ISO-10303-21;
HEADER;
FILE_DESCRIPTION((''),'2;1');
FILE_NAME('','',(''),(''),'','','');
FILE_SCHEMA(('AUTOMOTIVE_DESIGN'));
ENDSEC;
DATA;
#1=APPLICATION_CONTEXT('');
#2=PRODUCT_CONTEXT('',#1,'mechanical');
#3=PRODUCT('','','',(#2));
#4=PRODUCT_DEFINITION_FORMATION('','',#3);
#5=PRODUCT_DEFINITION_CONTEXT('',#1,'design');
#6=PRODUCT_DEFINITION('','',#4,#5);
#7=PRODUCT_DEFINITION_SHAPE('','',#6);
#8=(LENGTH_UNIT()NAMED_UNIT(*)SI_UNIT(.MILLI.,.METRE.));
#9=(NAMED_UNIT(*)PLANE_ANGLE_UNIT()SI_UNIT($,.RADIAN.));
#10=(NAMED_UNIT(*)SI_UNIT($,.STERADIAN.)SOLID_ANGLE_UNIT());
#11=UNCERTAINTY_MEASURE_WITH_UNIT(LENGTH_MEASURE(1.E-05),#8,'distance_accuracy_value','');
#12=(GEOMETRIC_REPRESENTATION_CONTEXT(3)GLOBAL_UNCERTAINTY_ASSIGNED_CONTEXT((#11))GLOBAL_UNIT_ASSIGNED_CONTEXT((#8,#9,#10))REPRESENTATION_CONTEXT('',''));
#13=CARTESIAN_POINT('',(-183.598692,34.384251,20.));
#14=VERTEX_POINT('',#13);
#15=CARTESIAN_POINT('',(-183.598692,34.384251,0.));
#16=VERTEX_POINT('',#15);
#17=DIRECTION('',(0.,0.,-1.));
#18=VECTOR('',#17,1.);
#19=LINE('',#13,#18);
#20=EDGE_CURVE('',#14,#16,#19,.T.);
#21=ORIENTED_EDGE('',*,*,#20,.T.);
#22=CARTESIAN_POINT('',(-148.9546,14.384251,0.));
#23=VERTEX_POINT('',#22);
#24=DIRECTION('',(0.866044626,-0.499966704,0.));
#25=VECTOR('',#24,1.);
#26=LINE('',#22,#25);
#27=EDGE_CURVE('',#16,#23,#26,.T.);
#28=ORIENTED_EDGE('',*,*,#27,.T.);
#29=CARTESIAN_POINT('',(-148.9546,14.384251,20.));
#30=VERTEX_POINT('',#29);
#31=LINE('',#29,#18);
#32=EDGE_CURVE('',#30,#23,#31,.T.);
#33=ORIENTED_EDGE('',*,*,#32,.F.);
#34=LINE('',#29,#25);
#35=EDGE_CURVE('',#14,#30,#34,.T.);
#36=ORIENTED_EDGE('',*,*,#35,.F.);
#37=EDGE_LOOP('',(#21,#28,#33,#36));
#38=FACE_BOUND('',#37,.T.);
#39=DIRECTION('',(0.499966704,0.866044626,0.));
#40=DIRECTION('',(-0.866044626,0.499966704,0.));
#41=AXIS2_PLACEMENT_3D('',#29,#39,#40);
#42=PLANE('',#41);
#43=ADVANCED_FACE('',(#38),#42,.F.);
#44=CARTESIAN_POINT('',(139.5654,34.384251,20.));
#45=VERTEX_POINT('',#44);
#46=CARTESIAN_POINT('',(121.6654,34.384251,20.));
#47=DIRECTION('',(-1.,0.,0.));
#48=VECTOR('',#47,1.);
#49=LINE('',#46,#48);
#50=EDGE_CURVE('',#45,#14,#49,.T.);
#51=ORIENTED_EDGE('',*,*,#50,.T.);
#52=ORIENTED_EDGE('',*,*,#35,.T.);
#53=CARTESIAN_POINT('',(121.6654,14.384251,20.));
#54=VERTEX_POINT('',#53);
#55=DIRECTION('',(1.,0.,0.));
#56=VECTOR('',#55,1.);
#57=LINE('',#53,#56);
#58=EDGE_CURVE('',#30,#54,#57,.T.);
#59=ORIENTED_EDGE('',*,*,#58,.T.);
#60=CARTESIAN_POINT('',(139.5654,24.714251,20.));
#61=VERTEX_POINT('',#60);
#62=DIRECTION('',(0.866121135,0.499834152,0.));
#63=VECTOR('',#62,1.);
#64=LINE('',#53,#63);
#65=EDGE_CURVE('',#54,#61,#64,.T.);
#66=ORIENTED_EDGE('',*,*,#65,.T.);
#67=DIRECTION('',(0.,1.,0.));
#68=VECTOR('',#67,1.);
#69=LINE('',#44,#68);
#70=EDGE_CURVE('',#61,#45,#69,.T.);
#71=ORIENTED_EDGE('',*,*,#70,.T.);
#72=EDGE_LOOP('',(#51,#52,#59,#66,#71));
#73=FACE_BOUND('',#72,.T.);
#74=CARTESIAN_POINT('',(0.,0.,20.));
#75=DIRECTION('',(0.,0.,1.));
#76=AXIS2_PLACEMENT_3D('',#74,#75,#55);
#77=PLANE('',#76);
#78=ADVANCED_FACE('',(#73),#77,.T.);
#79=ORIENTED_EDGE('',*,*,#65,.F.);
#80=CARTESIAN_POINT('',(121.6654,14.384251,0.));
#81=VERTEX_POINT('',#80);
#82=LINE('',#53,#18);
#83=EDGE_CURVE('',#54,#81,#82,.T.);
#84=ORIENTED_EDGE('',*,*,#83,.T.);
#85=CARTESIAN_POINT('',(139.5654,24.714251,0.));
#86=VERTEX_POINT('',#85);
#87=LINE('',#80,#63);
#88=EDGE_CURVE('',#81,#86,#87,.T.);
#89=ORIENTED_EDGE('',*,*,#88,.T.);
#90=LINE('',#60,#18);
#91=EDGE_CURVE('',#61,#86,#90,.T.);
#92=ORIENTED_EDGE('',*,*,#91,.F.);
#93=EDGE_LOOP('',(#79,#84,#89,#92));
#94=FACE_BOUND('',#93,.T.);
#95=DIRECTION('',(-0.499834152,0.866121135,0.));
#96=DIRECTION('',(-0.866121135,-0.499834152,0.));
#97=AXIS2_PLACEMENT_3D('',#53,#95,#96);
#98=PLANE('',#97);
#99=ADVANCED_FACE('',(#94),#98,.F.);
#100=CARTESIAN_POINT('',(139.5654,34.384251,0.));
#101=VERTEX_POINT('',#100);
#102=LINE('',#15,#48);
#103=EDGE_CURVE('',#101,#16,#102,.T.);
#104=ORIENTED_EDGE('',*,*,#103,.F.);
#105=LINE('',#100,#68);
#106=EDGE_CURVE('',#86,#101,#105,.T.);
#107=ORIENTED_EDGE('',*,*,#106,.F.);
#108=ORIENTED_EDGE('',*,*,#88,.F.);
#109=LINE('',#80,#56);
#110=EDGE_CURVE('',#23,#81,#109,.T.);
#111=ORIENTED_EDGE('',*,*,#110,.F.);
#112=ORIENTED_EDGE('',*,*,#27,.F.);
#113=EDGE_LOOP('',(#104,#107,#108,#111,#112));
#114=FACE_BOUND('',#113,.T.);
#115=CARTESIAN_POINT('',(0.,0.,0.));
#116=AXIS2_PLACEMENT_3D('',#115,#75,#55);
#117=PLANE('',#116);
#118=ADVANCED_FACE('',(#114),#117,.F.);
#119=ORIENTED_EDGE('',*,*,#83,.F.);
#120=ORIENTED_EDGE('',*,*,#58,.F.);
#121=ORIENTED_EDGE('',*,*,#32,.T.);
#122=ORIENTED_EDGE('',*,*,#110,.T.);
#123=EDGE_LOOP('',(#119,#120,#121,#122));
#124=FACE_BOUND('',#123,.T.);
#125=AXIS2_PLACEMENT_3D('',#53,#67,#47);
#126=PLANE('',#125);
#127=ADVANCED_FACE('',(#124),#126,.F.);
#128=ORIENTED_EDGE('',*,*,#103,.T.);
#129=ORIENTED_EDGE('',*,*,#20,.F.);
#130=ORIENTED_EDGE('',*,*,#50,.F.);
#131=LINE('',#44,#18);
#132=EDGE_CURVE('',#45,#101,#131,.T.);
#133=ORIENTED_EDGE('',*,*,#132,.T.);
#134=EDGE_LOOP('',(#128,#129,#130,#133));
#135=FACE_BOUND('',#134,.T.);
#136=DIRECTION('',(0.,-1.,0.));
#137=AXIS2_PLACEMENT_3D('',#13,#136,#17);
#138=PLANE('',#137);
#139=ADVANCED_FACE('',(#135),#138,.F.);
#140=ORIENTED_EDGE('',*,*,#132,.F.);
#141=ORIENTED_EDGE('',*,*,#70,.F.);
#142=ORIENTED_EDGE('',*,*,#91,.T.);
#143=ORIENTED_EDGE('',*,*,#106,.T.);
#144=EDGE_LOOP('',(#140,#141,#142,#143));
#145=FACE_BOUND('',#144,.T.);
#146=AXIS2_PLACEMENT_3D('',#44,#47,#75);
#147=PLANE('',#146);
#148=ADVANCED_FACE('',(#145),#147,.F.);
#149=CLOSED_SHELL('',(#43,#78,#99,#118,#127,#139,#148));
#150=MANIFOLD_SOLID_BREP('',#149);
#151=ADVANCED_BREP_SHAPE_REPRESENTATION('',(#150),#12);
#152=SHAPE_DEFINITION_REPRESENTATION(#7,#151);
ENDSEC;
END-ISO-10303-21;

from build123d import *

# Parameters (mm, degrees)
BOSS_EXTRUDE2_DEPTH = 20


with BuildPart() as part:
    # Sketch1 → Boss-Extrude2 (new body)
    with BuildSketch(Plane.XY):
        Polygon((-183.598691887, 34.384251385), (121.665400161, 34.384251385), (139.565400161, 34.384251385), (139.565400161, 24.714251385), (121.665400161, 14.384251385), (-148.954599839, 14.384251385), align=None)
    extrude(amount=BOSS_EXTRUDE2_DEPTH)


solid = part.part
